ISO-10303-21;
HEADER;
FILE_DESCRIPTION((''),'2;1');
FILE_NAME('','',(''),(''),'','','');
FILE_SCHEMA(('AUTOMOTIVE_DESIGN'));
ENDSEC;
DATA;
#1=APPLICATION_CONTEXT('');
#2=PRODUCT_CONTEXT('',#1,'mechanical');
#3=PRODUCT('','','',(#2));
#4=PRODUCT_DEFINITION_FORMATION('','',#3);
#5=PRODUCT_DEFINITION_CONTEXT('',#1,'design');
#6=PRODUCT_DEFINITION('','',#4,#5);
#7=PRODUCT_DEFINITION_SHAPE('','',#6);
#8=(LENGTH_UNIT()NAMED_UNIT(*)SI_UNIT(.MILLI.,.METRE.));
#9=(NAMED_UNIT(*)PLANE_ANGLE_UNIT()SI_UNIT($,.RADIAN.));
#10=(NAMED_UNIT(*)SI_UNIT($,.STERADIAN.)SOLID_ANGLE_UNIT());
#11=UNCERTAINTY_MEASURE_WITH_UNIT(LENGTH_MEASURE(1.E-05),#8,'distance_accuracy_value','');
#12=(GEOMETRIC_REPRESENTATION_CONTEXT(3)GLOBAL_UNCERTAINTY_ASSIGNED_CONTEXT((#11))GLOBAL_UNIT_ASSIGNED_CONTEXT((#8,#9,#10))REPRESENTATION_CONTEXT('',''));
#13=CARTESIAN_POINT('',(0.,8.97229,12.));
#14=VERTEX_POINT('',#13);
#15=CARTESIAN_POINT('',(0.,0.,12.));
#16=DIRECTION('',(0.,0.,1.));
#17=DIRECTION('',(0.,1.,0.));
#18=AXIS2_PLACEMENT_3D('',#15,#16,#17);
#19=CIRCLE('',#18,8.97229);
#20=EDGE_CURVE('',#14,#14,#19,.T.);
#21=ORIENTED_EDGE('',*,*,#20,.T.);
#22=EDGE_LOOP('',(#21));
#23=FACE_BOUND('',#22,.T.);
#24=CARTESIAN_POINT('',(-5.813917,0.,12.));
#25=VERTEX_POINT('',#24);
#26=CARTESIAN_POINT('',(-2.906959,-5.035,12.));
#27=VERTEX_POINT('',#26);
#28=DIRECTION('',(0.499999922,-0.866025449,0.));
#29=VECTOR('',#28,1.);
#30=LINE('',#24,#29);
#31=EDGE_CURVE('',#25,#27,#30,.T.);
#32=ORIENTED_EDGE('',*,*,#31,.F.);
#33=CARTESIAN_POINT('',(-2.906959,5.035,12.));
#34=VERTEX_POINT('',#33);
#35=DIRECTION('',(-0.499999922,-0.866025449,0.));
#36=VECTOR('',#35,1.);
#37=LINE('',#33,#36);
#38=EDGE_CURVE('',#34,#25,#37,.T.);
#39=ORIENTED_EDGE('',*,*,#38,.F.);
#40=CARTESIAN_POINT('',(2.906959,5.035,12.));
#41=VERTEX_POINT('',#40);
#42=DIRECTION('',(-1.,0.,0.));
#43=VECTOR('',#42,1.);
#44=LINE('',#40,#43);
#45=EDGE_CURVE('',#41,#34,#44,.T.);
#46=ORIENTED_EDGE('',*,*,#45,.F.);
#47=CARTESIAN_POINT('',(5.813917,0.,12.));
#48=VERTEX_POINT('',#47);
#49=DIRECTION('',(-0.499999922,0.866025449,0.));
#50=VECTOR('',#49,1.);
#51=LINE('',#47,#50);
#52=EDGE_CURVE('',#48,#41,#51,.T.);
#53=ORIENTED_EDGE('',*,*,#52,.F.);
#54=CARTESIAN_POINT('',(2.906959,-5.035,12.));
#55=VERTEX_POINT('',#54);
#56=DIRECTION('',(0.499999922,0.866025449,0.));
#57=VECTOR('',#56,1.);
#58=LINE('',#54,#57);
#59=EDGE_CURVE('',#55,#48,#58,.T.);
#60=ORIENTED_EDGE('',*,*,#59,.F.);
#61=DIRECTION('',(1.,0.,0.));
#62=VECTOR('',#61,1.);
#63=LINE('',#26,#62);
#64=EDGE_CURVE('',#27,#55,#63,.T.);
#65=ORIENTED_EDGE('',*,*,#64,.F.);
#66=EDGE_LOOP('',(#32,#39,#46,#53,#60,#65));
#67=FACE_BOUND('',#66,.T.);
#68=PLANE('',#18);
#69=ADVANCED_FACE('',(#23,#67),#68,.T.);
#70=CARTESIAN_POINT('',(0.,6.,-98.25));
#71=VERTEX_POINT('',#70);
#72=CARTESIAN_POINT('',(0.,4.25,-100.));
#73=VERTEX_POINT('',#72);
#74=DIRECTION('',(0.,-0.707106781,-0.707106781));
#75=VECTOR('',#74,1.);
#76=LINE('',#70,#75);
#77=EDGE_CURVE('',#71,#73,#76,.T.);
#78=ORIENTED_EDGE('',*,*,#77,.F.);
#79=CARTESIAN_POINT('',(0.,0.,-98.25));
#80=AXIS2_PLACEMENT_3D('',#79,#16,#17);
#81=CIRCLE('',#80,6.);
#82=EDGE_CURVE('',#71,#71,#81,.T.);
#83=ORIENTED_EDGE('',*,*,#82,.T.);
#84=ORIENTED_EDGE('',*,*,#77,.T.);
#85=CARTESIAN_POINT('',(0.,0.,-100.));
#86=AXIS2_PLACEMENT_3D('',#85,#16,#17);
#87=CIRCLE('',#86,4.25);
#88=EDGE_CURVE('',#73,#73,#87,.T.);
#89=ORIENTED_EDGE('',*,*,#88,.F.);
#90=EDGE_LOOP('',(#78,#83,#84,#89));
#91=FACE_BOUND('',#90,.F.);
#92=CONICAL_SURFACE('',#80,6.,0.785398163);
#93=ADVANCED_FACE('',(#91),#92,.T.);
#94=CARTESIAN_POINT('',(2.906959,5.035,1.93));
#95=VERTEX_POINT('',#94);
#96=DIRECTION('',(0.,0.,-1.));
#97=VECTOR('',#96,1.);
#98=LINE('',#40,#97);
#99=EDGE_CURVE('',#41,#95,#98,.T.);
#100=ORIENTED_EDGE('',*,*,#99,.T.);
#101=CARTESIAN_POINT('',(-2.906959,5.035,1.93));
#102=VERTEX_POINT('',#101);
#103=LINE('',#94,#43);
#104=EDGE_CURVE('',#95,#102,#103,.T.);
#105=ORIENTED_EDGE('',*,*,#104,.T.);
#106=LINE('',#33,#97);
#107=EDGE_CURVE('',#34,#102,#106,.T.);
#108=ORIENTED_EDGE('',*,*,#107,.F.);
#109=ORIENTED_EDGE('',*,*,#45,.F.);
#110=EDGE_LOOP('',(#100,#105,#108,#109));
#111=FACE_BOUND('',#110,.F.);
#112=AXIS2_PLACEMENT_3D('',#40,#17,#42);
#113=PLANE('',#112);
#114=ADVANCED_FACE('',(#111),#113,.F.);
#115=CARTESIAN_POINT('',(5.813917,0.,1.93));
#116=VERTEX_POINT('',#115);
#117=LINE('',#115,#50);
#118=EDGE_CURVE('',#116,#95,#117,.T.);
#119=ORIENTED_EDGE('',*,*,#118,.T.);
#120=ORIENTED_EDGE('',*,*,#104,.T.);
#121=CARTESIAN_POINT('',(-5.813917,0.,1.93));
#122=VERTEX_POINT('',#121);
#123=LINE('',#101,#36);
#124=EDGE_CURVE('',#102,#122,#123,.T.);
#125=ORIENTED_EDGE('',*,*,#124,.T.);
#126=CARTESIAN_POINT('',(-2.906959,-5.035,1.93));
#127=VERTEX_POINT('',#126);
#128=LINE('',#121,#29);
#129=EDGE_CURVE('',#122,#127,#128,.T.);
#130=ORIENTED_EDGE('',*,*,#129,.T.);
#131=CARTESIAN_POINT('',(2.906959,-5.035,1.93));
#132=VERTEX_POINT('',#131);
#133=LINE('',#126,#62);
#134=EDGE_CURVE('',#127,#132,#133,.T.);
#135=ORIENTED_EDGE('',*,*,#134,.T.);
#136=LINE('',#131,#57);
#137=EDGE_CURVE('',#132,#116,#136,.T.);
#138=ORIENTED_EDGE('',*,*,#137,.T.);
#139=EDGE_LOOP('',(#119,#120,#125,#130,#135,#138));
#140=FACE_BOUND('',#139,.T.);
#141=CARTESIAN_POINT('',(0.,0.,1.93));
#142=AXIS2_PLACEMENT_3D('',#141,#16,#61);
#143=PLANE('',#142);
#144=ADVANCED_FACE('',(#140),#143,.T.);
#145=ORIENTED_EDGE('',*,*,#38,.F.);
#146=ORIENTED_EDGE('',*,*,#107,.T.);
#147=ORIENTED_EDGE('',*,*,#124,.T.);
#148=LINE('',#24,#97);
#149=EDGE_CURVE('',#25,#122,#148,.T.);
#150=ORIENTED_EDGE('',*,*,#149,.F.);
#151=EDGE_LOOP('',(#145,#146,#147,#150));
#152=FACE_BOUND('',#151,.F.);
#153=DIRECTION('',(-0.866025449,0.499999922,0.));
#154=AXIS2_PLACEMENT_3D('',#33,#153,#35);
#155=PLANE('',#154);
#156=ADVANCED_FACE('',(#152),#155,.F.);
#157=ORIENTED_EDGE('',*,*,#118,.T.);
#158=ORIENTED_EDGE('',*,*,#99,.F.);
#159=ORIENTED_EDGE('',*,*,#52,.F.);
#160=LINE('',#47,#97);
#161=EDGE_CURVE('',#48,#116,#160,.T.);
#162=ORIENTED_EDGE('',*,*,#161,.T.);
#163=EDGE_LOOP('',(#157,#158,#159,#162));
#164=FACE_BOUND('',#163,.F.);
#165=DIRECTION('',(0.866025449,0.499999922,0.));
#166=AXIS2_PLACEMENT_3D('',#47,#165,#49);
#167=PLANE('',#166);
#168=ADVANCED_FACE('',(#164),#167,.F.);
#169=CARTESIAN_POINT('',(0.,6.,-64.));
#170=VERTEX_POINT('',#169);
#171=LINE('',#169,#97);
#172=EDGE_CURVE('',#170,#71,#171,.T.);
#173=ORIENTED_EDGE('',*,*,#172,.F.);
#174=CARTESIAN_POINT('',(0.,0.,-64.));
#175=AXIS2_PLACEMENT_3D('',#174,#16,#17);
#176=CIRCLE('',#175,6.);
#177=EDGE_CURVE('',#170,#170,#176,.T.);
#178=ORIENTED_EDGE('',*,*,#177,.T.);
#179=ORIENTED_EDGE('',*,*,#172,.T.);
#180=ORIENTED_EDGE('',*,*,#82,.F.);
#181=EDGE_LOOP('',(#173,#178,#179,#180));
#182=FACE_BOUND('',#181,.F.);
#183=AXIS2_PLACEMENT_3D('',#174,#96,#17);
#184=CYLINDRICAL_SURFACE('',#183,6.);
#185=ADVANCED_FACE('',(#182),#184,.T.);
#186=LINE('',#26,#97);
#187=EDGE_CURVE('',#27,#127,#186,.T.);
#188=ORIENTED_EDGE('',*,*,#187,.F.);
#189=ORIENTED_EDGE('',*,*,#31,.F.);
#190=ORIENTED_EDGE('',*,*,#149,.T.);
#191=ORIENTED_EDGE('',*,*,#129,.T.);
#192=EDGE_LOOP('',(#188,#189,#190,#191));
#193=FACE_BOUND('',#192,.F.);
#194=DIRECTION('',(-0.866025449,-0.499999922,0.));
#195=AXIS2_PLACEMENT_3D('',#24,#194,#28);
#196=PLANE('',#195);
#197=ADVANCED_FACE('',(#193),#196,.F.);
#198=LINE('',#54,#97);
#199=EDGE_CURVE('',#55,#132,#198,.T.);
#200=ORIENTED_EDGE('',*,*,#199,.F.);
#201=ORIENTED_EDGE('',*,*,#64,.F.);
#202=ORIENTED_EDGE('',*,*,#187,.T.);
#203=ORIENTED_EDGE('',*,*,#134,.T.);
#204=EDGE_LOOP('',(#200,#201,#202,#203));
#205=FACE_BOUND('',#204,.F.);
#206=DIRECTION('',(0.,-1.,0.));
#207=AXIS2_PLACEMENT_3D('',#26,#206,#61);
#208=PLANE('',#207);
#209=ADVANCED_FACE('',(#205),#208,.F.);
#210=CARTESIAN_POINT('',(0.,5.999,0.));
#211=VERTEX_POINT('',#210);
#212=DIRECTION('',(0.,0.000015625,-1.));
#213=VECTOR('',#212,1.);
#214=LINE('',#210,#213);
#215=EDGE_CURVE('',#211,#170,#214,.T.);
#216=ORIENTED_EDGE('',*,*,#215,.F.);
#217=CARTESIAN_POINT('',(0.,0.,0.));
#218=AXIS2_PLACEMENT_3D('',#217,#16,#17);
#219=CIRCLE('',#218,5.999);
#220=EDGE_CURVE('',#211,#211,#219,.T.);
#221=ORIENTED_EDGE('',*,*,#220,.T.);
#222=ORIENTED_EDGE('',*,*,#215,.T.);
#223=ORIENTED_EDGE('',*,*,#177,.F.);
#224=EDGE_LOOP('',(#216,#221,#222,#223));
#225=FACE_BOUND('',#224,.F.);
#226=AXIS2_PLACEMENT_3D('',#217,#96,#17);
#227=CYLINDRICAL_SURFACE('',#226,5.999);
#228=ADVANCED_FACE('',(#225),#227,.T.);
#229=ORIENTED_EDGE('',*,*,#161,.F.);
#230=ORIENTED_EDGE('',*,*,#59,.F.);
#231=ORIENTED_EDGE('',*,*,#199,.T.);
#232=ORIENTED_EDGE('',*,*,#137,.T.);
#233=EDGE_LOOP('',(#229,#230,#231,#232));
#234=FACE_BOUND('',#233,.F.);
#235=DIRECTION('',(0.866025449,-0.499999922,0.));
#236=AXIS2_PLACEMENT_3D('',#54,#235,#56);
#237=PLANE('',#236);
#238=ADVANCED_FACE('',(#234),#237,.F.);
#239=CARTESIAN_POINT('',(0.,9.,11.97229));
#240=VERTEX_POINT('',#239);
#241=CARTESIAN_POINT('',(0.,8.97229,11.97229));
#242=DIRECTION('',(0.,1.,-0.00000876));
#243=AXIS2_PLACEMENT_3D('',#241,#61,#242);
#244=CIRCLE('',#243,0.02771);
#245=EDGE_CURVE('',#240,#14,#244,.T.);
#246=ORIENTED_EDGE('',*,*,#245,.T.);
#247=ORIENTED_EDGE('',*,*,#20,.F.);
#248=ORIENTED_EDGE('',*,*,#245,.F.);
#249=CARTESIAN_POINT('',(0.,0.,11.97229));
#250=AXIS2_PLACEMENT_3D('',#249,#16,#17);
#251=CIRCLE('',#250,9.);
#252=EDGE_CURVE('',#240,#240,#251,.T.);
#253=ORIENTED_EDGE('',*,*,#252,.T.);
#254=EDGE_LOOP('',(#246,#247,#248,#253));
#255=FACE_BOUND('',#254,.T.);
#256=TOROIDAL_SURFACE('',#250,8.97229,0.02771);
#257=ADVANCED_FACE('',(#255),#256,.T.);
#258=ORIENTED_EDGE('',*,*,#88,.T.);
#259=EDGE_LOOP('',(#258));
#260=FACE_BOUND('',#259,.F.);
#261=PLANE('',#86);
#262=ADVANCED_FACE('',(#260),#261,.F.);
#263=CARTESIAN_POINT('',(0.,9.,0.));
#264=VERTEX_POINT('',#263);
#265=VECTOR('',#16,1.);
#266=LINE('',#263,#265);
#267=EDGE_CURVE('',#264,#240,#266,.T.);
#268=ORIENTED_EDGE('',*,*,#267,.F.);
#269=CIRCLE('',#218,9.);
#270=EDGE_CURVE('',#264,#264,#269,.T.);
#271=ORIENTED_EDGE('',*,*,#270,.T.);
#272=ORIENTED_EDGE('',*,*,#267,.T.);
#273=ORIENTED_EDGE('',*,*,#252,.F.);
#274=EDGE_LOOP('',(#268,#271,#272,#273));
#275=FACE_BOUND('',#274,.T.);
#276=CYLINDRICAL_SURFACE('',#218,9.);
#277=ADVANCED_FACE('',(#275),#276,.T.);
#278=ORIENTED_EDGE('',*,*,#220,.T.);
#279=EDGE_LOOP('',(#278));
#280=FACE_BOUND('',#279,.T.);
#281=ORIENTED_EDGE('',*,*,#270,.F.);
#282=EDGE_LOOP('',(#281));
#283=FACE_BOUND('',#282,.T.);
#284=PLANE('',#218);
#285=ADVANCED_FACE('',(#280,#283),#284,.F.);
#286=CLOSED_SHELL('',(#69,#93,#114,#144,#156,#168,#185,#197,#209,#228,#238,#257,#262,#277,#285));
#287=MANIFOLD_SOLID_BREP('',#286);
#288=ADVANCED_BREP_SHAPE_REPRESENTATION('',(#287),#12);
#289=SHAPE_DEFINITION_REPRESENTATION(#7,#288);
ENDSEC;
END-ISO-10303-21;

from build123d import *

# Parameters (mm, degrees)
POCKET_DEPTH = 10.07


with BuildPart() as part:
    # Sketch → Revolve (revolve)
    with BuildSketch(Plane.YZ):
        with BuildLine():
            Line((5.999, 0), (9, 0))
            Line((9, 0), (9, 11.97229))
            ThreePointArc((9, 11.97229), (8.991884, 11.991884), (8.97229, 12))
            Line((8.97229, 12), (0, 12))
            Line((0, -100), (0, 12))
            Line((4.25, -100), (0, -100))
            Line((6, -98.25), (4.25, -100))
            Line((6, -64), (6, -98.25))
            Line((5.999, 0), (6, -64))
        make_face()
    revolve(axis=Axis((0, 0, 0), (0, 0, 1)))

    # Sketch001 → Pocket (cut)
    with BuildSketch(Plane.XY.offset(12)):
        Polygon((5.813917, 0), (2.906959, 5.035), (-2.906959, 5.035), (-5.813917, 0), (-2.906959, -5.035), (2.906959, -5.035), align=None)
    extrude(amount=-POCKET_DEPTH, mode=Mode.SUBTRACT)


solid = part.part
